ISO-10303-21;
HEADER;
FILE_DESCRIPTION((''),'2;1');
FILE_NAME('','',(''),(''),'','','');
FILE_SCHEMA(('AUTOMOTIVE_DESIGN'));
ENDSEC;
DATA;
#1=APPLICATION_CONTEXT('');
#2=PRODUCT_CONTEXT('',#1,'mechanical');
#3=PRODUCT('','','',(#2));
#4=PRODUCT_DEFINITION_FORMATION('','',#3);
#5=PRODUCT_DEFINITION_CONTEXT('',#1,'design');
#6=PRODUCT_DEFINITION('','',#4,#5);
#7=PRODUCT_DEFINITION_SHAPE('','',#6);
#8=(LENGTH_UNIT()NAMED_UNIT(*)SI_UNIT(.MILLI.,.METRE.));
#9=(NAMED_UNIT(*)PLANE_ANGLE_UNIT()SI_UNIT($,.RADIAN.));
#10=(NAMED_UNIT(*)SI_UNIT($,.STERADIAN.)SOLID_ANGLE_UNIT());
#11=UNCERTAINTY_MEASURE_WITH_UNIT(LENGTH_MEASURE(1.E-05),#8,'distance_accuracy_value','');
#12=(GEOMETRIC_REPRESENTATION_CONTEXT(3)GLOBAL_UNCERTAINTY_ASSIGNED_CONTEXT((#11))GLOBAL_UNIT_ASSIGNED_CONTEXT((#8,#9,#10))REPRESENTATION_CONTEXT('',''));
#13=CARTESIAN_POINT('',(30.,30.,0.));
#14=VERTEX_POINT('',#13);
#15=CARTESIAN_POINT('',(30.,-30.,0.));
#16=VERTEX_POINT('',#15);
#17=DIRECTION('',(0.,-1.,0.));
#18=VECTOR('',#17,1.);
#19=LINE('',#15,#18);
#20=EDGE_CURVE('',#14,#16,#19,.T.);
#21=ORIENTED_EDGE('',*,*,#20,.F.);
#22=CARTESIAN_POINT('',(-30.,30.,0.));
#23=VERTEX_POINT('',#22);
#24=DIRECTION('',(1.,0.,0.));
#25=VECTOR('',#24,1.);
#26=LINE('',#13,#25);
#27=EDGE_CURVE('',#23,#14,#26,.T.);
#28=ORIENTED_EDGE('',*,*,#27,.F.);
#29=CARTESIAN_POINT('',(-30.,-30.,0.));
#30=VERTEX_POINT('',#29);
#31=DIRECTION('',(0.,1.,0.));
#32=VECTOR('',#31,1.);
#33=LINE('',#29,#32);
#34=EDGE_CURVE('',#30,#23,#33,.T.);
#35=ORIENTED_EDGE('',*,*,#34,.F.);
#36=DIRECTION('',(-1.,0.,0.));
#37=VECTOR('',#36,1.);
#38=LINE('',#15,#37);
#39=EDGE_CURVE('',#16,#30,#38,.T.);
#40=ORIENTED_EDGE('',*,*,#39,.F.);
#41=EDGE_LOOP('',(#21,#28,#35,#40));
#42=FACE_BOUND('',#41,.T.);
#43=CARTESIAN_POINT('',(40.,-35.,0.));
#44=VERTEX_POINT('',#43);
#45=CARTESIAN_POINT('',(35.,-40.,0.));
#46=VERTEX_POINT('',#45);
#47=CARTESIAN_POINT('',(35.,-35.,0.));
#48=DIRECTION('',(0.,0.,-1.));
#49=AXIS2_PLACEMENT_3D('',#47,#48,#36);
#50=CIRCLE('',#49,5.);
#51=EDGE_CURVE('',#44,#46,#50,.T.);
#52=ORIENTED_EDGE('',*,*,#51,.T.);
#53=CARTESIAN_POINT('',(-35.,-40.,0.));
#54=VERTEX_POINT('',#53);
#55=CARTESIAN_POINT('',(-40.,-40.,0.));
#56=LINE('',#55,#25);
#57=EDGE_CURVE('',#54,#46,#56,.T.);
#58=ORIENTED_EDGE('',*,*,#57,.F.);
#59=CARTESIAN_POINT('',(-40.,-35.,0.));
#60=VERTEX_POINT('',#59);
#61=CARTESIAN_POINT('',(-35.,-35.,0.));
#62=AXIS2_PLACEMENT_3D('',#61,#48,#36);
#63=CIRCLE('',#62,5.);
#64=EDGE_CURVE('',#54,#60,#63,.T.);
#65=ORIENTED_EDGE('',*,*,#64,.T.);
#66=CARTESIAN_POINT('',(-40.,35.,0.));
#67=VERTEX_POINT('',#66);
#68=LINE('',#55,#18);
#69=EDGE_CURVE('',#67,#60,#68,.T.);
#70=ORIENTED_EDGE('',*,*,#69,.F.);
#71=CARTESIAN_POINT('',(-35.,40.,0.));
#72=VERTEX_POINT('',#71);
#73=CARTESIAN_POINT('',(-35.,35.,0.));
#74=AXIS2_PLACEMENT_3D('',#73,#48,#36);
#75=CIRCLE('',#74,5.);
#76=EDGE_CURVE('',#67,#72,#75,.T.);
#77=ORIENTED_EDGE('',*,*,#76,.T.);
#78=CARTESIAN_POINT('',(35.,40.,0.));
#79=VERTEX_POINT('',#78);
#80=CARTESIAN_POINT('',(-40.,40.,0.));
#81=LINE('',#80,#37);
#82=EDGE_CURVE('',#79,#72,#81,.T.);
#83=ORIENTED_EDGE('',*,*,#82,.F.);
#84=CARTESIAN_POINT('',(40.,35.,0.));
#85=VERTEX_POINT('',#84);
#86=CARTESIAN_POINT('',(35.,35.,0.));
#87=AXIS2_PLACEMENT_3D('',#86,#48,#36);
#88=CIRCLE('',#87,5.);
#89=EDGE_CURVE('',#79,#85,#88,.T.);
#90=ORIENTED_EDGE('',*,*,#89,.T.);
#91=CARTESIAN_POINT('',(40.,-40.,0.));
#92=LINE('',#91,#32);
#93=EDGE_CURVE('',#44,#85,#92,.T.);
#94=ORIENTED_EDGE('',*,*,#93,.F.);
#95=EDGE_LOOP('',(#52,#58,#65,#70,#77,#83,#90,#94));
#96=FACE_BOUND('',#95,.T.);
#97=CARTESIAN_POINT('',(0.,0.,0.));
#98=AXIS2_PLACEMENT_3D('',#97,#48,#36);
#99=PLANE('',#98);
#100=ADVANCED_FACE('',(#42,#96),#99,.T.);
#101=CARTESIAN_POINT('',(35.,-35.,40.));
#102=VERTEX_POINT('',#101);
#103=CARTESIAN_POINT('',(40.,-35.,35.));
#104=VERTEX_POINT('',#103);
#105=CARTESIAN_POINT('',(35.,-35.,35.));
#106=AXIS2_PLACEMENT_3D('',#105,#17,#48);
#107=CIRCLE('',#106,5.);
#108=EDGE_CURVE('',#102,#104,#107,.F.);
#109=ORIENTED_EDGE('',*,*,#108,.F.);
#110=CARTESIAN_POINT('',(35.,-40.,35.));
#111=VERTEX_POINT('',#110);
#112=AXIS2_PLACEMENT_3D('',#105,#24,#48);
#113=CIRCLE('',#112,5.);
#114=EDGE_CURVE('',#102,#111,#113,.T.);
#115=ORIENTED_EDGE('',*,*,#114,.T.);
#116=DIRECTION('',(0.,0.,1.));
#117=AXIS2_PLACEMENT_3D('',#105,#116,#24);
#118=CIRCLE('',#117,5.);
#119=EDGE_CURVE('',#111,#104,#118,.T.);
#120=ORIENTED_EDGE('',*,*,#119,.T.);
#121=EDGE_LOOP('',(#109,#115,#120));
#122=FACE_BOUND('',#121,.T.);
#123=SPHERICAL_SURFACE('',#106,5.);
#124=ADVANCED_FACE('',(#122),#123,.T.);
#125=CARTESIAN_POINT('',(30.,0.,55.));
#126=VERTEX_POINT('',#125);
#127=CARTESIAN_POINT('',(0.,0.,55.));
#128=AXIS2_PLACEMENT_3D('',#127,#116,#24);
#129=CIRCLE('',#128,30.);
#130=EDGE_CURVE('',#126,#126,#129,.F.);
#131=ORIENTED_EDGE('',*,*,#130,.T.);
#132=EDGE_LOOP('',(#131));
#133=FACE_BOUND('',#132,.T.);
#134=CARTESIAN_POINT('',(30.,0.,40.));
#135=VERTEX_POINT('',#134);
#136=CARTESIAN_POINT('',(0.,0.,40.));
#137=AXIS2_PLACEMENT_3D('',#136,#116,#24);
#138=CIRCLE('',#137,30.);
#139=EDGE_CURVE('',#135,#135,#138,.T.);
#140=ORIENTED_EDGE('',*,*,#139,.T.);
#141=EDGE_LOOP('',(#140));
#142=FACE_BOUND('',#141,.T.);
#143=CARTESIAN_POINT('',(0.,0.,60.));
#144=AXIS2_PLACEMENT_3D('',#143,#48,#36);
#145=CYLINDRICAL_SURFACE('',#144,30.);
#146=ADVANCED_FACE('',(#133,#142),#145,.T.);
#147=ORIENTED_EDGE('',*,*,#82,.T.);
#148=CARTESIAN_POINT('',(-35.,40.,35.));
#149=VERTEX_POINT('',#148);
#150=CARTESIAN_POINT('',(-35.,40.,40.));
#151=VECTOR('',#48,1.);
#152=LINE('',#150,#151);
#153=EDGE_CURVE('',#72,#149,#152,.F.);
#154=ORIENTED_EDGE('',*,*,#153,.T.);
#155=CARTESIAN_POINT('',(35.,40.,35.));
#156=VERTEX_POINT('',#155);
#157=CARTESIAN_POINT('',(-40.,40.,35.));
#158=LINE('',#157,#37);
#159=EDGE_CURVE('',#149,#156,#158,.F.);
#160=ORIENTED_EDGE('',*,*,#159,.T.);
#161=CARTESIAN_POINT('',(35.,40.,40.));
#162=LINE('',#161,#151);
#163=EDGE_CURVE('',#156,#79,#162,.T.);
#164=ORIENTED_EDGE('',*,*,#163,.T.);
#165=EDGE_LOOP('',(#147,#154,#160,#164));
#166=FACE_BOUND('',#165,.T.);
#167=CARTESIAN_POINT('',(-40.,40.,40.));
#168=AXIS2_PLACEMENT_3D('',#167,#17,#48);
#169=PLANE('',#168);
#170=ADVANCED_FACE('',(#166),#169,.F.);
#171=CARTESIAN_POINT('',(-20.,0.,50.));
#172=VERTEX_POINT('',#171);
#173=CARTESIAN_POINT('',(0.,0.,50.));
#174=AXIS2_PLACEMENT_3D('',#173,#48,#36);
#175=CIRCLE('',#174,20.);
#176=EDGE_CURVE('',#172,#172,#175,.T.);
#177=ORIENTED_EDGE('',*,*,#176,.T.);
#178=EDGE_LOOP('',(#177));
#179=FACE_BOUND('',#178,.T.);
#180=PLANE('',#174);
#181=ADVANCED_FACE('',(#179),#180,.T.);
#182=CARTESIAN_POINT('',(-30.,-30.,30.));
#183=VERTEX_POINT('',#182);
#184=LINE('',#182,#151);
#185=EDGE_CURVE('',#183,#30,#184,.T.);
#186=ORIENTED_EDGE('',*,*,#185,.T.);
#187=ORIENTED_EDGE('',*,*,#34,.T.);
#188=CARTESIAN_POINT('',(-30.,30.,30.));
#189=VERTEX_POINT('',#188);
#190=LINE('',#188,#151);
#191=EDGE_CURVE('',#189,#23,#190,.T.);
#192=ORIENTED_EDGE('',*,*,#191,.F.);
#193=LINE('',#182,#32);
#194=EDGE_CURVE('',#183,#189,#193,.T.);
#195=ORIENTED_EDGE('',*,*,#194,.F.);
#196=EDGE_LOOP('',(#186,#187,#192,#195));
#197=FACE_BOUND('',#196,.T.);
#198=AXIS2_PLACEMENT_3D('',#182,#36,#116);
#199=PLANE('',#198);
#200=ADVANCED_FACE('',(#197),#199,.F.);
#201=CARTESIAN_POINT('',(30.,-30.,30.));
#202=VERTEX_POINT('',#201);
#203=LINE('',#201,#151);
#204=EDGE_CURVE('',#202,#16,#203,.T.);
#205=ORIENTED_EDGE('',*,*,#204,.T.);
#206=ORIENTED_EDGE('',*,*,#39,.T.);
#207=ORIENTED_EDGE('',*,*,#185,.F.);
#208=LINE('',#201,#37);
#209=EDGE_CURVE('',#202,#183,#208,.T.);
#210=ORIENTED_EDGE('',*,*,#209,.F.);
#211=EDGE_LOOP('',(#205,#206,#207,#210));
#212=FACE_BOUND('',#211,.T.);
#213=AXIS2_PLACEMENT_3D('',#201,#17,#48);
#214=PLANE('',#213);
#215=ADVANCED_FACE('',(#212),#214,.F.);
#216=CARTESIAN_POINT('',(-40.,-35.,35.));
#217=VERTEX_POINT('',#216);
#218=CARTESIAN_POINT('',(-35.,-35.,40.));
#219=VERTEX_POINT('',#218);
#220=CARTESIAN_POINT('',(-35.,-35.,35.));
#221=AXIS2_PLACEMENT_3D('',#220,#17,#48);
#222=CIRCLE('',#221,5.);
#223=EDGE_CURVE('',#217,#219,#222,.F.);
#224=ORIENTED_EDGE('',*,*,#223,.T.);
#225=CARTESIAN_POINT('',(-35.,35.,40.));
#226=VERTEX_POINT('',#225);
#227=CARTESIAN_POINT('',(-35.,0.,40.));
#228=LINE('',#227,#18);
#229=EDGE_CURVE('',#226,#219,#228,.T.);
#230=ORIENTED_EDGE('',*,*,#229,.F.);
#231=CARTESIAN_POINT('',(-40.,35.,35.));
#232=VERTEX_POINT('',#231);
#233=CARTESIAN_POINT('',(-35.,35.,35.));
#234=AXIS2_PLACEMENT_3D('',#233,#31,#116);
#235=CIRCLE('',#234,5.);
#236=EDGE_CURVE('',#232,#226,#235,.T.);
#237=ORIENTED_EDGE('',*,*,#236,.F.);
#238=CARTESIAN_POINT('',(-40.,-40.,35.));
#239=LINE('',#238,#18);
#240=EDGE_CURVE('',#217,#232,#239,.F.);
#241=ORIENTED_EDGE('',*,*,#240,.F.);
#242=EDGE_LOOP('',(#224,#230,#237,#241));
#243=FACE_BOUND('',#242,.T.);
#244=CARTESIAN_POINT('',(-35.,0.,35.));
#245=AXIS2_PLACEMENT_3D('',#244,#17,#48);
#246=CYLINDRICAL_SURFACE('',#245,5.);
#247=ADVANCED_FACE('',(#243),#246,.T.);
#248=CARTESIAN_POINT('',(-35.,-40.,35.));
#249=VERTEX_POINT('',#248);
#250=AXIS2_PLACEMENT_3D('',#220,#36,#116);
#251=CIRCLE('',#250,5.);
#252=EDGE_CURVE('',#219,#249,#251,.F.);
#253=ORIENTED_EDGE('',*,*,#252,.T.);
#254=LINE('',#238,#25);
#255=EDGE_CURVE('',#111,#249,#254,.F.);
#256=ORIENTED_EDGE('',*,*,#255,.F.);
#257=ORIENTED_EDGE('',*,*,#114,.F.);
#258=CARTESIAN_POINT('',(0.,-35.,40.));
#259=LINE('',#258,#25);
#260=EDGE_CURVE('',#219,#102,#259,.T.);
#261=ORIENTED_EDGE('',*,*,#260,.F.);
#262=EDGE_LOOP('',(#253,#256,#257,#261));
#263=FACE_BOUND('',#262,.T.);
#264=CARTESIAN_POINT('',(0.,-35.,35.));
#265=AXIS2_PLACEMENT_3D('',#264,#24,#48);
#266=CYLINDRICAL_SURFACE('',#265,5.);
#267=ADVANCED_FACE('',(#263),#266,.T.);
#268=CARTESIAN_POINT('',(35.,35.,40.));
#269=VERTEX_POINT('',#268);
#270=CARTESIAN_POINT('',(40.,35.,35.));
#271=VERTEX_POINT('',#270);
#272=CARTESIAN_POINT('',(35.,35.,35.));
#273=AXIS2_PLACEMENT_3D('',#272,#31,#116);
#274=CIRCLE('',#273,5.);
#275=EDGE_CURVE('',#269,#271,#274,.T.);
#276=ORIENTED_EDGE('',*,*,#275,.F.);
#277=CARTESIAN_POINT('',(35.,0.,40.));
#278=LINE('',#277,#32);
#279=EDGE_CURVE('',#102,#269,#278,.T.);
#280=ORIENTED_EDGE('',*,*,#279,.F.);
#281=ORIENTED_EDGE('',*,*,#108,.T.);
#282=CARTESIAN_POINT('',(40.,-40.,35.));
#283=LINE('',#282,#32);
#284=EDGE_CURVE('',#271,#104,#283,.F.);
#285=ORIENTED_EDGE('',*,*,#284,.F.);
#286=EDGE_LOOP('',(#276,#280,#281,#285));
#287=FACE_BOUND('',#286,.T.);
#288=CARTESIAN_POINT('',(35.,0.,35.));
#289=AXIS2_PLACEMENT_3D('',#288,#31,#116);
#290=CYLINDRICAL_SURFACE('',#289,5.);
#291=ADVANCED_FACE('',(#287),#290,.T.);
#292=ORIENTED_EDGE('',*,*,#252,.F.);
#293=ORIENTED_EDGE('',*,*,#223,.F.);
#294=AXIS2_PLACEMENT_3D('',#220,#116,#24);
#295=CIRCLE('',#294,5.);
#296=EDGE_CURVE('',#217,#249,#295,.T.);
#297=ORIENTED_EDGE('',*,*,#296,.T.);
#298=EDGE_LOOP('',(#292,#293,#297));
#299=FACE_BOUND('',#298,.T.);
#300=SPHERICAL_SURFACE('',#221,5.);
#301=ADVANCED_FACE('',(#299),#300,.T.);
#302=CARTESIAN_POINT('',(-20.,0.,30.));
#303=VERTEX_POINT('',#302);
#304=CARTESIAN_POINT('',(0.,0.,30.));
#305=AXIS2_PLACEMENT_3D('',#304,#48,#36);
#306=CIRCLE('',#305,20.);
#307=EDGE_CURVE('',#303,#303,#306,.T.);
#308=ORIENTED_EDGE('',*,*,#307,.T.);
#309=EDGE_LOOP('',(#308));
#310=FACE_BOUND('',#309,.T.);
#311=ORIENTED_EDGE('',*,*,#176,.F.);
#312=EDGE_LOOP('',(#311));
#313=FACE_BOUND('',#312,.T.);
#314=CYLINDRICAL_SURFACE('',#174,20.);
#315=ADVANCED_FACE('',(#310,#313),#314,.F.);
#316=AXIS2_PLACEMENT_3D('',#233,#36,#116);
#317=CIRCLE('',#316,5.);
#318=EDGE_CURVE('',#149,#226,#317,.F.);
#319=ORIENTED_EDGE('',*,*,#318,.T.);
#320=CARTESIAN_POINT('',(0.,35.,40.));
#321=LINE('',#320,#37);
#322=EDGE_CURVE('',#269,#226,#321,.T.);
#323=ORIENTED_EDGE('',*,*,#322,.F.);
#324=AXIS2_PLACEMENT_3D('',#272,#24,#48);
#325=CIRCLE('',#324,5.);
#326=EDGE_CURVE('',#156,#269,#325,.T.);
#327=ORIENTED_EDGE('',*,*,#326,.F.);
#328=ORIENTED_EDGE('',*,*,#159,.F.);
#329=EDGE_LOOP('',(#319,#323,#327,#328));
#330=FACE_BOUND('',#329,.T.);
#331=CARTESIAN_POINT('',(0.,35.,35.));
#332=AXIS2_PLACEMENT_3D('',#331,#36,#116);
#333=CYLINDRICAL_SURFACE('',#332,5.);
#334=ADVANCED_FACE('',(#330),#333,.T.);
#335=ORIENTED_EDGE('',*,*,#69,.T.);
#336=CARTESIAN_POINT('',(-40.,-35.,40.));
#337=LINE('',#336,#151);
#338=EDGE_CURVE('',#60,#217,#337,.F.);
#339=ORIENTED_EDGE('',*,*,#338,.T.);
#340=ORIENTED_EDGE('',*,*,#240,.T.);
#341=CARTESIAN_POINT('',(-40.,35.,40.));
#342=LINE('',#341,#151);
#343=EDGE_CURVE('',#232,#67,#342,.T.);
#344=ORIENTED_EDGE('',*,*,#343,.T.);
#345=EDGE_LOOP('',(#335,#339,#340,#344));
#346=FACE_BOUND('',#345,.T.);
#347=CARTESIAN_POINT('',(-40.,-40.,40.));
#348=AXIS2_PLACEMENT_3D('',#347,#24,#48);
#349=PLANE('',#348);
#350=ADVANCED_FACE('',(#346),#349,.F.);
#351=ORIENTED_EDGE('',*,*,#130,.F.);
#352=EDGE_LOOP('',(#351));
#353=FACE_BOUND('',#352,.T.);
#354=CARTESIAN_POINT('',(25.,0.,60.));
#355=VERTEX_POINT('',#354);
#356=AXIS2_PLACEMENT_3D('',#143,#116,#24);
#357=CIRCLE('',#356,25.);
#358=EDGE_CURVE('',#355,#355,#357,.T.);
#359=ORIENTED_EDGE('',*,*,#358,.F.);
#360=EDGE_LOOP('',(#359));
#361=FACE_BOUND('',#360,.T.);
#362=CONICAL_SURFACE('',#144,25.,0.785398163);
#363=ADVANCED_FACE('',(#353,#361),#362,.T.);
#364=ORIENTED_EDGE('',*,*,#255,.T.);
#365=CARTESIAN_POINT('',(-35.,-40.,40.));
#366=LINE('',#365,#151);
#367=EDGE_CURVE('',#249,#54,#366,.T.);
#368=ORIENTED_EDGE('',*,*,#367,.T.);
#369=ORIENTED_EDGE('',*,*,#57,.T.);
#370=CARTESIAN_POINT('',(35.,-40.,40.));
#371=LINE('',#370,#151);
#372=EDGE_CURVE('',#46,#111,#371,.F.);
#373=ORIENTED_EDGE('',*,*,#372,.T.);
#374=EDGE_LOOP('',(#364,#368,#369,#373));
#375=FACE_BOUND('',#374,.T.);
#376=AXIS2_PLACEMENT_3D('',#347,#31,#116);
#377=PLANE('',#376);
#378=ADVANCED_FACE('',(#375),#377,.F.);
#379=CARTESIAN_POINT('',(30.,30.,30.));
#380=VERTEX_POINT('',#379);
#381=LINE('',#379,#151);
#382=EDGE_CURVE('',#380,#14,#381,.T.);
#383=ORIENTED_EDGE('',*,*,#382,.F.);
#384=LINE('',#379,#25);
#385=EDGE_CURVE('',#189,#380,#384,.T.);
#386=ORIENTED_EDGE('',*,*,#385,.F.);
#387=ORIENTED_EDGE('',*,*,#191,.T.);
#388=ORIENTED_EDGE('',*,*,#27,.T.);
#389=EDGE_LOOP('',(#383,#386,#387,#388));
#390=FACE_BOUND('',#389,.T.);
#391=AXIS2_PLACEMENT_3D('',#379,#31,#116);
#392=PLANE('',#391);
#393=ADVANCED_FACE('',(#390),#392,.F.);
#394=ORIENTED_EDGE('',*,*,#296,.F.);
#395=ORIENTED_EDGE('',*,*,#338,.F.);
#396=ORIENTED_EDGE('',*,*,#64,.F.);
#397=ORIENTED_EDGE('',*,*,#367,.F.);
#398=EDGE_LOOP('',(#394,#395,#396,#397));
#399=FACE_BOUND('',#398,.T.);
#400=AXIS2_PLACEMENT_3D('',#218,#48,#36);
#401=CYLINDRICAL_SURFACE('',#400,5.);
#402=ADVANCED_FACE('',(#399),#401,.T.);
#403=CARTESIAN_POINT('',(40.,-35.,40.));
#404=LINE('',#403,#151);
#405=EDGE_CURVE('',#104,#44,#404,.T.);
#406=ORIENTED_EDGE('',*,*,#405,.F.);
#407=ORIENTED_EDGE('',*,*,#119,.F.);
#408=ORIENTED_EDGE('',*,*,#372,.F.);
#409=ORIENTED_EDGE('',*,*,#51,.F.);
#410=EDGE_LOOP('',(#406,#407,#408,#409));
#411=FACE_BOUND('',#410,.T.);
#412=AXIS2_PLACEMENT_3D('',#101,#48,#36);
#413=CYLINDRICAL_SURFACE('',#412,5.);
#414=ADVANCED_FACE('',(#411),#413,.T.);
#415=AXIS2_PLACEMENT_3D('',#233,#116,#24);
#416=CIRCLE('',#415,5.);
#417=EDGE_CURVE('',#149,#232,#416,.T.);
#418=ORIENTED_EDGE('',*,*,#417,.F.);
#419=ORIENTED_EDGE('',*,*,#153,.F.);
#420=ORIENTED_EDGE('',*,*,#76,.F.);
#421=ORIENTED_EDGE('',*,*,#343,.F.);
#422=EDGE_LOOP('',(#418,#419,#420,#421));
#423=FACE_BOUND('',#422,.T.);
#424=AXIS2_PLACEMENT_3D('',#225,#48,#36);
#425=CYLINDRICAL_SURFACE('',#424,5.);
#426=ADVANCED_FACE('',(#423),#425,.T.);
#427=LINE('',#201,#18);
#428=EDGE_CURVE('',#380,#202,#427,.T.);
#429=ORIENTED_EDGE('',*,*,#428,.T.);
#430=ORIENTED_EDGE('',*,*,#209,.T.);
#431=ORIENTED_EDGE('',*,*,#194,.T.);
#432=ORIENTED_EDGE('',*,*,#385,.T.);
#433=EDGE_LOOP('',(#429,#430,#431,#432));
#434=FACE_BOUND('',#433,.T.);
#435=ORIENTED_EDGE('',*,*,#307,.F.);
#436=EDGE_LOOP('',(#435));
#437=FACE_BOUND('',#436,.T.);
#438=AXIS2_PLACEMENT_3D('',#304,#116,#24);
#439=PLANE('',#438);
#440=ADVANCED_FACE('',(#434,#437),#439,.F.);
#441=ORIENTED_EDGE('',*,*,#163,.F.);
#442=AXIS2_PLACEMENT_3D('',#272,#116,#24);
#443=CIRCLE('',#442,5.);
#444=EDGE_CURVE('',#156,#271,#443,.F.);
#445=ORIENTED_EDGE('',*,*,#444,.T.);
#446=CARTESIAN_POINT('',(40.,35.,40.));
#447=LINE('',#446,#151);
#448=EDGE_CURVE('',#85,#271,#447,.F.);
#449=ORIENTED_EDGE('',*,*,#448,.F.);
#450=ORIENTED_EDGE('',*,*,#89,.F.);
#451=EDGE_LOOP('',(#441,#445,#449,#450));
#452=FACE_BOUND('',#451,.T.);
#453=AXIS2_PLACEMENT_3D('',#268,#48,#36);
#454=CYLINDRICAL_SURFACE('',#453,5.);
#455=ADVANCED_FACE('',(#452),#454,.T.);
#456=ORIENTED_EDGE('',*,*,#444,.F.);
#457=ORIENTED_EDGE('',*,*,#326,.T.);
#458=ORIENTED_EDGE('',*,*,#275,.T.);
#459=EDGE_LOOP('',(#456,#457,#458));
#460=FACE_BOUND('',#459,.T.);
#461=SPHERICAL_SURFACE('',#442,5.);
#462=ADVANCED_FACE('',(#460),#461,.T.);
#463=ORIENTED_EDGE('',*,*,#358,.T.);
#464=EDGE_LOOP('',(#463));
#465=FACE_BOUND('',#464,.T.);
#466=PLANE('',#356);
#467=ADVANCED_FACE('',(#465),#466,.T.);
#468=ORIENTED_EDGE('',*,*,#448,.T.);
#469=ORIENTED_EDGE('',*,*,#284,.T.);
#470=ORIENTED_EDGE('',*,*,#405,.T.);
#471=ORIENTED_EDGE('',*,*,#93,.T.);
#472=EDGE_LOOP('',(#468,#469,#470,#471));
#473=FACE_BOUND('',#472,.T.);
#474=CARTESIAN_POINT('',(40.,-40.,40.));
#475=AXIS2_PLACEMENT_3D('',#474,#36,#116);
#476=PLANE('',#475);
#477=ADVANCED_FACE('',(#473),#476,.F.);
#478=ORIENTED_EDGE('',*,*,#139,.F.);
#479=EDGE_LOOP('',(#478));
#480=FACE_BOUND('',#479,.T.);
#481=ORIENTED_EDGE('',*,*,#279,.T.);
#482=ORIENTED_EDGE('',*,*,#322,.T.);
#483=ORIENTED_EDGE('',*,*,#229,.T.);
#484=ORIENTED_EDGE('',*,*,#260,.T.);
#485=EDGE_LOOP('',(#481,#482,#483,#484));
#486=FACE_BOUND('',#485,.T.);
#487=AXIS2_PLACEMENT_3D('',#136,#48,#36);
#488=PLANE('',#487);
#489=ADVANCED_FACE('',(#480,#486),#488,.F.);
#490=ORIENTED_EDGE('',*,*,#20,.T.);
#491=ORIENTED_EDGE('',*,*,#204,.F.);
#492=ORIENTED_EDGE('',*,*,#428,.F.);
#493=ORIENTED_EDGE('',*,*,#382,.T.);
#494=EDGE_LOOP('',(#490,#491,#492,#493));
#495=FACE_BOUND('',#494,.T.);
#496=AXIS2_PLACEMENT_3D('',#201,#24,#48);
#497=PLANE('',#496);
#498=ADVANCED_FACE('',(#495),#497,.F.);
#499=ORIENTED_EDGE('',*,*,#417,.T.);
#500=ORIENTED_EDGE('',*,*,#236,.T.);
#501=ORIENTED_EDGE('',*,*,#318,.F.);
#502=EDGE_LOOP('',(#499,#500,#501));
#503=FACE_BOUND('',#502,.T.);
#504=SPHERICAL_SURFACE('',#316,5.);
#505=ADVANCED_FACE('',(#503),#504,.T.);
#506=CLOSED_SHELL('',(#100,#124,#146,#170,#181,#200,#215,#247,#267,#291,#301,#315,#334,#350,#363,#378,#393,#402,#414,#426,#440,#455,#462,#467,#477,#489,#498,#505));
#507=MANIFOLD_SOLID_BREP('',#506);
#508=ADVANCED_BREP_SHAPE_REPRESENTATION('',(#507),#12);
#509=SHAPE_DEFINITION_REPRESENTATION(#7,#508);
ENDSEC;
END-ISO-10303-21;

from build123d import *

# Parameters (mm, degrees)
SKETCH_1_W          = 80
SKETCH_1_H          = 80
EXTRUDE_1_DEPTH     = 40
SKETCH_2_R          = 30
EXTRUDE_2_DEPTH     = 20
SKETCH_3_W          = 60
SKETCH_3_H          = 60
CUT_EXTRUDE_1_DEPTH = 30
SKETCH_4_R          = 20
CUT_EXTRUDE_2_DEPTH = 20
CHAMFER_1_SIZE      = 5
FILLET_1_R          = 5


with BuildPart() as part:
    # 草图1 → 凸台-拉伸1 (new body)
    with BuildSketch(Plane.XY):
        Rectangle(SKETCH_1_W, SKETCH_1_H)
    extrude(amount=EXTRUDE_1_DEPTH)

    # 草图2 → 凸台-拉伸2 (add)
    with BuildSketch(Plane.XY.offset(40)):
        Circle(SKETCH_2_R)
    extrude(amount=EXTRUDE_2_DEPTH)

    # 草图3 → 切除-拉伸1 (cut)
    with BuildSketch(Plane(origin=(0, 0, 0), x_dir=(-1, 0, 0), z_dir=(0, 0, -1))):
        Rectangle(SKETCH_3_W, SKETCH_3_H)
    extrude(amount=-CUT_EXTRUDE_1_DEPTH, mode=Mode.SUBTRACT)

    # 草图4 → 切除-拉伸2 (cut)
    with BuildSketch(Plane(origin=(0, 0, 30), x_dir=(-1, 0, 0), z_dir=(0, 0, -1))):
        Circle(SKETCH_4_R)
    extrude(amount=-CUT_EXTRUDE_2_DEPTH, mode=Mode.SUBTRACT)

    # 倒角1
    chamfer_1_edges = [part.edges().sort_by_distance(p)[0] for p in [
        (-30, 0, 60),
    ]]
    chamfer(chamfer_1_edges, length=CHAMFER_1_SIZE)

    # 圆角1
    fillet_1_edges = [part.edges().sort_by_distance(p)[0] for p in [
        (-40, 0, 40),
        (0, -40, 40),
        (40, 0, 40),
        (40, -40, 20),
        (-40, -40, 20),
        (-40, 40, 20),
        (40, 40, 20),
        (0, 40, 40),
    ]]
    fillet(fillet_1_edges, radius=FILLET_1_R)


solid = part.part
